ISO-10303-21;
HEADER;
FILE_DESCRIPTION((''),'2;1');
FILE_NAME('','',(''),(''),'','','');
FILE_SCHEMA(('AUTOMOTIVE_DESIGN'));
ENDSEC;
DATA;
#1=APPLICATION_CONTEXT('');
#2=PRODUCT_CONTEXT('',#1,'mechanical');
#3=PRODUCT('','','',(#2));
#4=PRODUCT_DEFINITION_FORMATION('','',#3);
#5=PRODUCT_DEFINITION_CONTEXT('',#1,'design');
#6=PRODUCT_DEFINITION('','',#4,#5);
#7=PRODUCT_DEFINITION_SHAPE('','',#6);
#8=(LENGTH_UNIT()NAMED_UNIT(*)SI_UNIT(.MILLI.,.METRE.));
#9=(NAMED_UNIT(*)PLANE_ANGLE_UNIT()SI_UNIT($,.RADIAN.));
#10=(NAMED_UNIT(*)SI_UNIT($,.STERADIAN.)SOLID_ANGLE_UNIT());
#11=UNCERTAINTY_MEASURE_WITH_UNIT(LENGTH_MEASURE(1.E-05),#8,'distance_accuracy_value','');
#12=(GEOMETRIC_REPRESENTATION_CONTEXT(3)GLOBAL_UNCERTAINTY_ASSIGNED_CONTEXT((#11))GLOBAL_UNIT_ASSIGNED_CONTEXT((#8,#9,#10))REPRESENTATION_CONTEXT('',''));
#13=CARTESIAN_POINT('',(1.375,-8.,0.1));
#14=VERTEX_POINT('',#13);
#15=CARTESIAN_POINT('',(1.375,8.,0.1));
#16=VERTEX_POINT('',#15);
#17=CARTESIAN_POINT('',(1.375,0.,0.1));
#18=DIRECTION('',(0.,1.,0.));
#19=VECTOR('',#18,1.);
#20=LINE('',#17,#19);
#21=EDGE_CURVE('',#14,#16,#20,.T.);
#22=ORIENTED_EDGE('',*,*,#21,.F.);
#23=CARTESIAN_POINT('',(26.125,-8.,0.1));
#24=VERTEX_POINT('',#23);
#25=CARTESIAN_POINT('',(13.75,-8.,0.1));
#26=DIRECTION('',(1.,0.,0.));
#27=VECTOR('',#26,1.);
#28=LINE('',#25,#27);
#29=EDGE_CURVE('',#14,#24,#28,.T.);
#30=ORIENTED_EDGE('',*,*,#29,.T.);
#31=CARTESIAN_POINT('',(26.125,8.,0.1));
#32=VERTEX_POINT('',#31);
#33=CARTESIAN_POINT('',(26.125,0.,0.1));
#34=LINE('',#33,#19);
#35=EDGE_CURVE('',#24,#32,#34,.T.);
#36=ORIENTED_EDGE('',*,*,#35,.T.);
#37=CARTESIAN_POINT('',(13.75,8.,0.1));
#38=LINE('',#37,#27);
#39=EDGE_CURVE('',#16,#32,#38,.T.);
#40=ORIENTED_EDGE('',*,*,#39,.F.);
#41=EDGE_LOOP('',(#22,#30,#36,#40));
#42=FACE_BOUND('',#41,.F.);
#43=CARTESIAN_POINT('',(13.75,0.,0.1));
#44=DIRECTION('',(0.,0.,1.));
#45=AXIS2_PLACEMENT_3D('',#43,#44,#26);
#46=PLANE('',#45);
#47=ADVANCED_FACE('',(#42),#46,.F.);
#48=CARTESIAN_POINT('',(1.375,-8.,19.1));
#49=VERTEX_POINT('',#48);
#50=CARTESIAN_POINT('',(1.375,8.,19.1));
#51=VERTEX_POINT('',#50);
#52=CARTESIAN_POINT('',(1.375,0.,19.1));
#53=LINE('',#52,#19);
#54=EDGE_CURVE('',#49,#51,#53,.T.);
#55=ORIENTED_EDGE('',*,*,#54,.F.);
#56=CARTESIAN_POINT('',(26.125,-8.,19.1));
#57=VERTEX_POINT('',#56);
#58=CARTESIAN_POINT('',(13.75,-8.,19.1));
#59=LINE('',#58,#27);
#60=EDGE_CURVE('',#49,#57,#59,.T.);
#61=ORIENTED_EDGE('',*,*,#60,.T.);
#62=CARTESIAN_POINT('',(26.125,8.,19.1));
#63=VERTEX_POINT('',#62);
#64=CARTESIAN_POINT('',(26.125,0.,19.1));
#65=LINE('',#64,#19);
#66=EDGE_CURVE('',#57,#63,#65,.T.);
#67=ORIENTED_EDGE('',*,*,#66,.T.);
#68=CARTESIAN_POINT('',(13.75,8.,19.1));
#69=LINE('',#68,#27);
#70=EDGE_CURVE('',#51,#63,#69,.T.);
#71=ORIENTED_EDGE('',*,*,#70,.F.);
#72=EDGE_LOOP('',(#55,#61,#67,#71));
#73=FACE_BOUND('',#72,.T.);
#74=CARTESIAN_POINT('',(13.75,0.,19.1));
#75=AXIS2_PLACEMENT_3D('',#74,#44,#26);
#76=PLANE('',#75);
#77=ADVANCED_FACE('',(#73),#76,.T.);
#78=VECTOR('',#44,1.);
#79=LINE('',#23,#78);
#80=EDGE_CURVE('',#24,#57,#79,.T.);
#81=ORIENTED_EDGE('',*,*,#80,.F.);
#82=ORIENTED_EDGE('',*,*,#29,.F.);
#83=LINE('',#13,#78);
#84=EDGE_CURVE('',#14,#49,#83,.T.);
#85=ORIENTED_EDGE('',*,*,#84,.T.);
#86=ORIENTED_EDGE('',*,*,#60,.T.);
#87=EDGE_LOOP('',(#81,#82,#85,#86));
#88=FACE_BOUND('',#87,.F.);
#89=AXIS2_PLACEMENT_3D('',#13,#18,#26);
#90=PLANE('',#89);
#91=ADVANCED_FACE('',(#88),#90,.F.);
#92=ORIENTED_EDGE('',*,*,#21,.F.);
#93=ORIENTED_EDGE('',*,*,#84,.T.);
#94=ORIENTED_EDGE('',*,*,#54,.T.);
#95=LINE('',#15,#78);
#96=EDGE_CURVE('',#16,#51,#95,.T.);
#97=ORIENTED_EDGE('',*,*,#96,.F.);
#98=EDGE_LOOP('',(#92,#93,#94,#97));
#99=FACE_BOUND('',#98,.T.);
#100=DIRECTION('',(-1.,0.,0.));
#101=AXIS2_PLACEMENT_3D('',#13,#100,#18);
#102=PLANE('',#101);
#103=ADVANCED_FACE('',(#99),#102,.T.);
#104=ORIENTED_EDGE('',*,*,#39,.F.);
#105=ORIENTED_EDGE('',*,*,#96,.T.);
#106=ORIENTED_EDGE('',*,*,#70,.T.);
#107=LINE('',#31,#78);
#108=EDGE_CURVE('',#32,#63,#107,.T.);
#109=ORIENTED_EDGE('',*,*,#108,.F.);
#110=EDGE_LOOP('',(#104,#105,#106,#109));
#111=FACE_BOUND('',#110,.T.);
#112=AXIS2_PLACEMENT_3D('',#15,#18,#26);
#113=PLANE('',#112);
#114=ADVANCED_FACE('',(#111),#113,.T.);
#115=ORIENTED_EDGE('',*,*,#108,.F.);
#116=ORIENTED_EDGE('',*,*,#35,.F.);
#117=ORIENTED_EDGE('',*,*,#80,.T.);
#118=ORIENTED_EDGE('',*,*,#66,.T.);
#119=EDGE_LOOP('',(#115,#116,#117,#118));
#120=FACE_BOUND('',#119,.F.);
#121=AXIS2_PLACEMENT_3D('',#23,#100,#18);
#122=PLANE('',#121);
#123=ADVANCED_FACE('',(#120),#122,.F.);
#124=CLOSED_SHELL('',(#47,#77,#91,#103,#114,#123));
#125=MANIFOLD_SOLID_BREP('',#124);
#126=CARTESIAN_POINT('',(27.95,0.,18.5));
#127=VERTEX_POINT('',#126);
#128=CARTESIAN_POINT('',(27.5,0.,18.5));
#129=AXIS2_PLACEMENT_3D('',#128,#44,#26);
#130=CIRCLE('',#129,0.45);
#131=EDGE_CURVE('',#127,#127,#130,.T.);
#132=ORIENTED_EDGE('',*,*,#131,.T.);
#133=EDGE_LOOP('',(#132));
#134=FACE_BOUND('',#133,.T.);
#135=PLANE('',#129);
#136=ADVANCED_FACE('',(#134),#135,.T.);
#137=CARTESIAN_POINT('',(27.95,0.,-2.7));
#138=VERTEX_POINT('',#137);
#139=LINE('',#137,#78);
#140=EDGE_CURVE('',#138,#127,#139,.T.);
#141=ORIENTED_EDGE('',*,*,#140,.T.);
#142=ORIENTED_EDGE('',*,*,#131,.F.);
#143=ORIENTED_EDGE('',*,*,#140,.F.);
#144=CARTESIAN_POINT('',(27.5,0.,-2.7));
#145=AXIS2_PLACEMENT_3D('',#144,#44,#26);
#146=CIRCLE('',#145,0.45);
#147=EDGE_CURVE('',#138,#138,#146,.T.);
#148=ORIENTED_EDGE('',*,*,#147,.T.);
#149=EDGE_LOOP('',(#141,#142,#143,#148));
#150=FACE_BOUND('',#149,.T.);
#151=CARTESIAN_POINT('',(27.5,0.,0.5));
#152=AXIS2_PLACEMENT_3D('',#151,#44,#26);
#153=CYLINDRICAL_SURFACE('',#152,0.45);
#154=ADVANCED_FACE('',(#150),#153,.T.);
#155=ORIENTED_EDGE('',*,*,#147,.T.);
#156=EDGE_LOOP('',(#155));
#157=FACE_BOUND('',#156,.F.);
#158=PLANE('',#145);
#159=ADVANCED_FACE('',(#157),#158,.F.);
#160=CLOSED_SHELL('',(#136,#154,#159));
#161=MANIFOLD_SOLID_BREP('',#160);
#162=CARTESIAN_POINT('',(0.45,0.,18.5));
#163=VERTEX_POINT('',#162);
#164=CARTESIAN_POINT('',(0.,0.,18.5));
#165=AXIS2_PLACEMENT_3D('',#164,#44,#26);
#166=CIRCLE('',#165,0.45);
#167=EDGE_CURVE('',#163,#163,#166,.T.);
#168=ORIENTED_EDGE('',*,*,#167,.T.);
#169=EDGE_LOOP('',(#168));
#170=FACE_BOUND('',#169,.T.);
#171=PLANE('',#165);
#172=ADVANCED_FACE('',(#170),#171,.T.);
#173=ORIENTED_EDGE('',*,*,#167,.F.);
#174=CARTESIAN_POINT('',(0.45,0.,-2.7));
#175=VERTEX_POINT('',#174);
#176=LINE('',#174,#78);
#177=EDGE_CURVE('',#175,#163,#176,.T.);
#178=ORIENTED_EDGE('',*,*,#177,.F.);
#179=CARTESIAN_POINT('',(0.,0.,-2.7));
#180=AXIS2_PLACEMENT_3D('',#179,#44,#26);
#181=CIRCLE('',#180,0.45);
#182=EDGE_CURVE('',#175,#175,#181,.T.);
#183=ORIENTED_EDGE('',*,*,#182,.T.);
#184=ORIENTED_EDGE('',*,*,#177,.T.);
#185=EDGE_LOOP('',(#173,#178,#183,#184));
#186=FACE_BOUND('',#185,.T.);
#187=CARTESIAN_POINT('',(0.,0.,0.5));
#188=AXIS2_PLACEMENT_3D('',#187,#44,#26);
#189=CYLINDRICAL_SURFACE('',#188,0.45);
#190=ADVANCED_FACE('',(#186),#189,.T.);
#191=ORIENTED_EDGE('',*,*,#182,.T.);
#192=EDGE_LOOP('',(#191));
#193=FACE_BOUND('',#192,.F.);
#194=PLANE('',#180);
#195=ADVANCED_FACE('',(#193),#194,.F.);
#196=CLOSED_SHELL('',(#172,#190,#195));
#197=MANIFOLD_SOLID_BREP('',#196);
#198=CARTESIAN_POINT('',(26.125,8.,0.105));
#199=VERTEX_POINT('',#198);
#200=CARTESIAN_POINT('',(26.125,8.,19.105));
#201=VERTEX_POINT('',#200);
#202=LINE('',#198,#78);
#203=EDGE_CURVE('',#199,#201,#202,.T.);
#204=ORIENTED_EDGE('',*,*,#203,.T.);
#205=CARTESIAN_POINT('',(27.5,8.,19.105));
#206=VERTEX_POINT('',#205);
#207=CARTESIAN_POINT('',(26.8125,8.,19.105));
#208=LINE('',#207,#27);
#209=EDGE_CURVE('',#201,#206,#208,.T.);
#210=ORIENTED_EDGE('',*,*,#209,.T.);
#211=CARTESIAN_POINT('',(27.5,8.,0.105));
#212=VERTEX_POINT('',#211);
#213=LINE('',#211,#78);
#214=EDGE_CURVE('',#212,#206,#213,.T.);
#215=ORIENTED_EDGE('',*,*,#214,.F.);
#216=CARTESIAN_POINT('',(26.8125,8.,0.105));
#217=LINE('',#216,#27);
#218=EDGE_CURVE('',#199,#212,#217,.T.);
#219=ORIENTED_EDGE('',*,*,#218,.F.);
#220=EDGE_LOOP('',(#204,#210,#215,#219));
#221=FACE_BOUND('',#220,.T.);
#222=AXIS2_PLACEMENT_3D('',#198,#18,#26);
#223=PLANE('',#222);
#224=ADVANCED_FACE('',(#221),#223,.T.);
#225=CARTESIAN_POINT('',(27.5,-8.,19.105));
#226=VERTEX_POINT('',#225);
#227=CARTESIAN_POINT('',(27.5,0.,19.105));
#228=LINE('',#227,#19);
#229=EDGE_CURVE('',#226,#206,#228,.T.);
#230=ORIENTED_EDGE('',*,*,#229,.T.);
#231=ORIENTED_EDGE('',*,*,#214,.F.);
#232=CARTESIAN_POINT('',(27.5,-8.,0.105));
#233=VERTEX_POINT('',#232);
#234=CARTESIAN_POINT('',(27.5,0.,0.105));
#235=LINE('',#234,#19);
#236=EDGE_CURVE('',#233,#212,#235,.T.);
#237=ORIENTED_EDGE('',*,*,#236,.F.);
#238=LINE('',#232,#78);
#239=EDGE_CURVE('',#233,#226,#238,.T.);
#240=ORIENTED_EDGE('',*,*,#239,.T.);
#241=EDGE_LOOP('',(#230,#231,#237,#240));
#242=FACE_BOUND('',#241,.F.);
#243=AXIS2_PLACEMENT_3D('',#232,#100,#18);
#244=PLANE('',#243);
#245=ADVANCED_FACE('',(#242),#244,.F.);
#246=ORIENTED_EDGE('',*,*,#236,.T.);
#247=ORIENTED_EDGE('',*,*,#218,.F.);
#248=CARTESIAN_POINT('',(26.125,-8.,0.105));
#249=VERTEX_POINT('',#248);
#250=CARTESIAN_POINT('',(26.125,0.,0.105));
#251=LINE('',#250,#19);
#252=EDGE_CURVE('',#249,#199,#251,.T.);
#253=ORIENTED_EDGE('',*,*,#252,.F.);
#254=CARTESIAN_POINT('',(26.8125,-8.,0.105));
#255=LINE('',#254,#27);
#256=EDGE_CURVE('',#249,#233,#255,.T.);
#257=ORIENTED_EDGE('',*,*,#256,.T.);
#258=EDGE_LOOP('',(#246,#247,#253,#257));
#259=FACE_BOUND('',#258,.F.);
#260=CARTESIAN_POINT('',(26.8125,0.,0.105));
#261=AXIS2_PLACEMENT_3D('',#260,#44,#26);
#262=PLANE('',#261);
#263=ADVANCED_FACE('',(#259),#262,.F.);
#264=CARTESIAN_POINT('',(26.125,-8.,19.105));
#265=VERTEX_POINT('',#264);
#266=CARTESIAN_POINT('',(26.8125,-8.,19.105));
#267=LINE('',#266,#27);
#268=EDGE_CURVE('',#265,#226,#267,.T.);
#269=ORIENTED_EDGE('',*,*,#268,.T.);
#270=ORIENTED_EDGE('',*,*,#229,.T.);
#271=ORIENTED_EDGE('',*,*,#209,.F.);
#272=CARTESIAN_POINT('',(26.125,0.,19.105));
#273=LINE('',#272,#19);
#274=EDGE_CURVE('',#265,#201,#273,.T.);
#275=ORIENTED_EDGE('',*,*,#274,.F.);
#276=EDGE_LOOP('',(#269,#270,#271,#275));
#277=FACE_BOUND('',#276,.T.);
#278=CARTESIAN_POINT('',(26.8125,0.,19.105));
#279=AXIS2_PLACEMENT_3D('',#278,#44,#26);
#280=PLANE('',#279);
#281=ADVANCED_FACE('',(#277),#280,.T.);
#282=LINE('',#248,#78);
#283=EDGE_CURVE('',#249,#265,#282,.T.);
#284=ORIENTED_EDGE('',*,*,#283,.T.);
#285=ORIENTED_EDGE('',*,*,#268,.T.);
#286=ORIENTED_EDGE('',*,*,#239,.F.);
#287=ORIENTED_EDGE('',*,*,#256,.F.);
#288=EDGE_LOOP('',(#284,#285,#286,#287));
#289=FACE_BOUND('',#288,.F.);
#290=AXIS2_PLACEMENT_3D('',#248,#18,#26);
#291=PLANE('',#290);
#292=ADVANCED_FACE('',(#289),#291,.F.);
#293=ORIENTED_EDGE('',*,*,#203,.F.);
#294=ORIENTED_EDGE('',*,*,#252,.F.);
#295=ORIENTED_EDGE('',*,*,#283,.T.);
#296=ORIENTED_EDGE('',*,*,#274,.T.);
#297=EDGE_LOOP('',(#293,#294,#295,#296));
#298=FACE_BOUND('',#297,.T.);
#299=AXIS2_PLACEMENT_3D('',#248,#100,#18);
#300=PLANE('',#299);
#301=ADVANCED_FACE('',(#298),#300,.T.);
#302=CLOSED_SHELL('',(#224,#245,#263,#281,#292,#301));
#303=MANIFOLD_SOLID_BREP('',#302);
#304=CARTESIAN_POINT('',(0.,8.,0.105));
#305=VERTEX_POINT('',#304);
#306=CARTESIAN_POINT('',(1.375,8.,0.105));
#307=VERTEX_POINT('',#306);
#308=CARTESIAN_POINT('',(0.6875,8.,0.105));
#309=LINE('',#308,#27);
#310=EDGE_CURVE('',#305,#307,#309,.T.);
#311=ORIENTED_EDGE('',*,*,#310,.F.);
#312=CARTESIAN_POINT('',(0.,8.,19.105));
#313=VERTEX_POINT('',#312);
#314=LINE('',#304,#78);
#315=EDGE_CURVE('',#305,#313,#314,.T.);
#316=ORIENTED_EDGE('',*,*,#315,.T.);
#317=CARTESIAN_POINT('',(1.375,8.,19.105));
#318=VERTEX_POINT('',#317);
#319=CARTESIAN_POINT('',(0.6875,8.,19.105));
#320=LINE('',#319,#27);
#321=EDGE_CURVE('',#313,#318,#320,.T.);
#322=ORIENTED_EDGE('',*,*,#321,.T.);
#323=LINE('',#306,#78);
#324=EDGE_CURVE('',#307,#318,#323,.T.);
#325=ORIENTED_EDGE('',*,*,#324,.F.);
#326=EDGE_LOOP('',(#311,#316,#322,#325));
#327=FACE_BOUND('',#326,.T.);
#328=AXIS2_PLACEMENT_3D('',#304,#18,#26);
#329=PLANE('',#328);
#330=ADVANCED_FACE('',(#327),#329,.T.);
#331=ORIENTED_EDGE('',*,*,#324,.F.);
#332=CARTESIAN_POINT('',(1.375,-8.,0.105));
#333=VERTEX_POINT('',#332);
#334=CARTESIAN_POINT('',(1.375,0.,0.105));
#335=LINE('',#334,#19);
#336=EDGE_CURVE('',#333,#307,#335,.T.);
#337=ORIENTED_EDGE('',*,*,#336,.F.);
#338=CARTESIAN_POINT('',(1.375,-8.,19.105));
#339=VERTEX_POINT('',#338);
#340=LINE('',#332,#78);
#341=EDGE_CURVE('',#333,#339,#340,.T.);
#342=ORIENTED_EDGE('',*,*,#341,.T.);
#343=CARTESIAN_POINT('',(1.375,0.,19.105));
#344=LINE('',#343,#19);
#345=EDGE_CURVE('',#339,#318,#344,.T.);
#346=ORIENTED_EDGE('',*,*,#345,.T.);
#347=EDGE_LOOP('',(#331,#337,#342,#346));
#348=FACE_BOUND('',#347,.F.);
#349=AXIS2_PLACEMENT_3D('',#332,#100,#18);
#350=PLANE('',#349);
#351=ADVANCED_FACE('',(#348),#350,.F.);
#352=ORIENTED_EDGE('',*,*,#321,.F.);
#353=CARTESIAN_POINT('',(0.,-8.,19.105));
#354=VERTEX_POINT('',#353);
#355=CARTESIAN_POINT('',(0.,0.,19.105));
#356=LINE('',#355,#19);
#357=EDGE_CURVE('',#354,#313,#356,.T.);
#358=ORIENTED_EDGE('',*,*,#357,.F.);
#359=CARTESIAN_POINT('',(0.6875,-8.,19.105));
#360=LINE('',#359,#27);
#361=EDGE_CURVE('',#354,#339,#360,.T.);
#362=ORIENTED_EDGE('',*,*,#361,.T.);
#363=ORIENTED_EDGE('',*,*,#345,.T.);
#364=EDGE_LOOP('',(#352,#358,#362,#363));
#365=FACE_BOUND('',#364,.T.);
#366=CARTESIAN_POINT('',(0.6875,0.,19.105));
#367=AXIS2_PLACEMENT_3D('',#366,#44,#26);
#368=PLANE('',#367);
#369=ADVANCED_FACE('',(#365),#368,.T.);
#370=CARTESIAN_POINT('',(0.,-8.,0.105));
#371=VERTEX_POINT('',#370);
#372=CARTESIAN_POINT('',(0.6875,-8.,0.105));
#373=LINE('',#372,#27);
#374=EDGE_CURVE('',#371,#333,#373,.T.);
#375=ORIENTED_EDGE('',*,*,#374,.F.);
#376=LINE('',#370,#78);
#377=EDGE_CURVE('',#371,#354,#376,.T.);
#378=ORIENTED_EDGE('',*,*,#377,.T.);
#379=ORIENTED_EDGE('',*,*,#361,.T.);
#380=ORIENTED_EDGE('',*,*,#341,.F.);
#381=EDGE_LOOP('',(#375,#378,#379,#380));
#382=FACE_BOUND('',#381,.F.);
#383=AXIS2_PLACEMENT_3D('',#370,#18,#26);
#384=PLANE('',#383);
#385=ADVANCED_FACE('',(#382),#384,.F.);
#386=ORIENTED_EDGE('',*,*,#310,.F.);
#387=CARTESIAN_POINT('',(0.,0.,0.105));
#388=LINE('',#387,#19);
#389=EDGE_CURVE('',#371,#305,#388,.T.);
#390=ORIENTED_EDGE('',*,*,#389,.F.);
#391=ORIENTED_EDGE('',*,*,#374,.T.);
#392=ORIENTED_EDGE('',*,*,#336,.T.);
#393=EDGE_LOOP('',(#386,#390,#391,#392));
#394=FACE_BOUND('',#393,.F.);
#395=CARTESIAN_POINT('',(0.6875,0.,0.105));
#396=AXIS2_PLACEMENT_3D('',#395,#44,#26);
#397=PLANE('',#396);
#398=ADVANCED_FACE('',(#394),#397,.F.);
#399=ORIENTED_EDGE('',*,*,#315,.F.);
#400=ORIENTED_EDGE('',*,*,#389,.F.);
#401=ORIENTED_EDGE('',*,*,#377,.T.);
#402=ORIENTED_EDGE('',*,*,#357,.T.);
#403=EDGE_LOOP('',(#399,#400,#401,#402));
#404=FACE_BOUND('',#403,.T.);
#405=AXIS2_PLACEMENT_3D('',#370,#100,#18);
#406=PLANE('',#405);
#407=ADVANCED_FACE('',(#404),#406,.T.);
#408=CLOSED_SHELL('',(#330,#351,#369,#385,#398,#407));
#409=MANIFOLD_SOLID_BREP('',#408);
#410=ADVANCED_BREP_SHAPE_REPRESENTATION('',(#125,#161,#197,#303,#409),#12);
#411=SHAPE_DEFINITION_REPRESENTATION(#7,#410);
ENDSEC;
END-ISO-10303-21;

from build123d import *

# Parameters (mm, degrees)
SKETCH_W          = 24.75
SKETCH_H          = 16
PAD_DEPTH         = 19
SKETCH001_R       = 0.45
PAD001_DEPTH      = 18
PAD001_DEPTH_BACK = 3.2
SKETCH002_W       = 1.375
SKETCH002_H       = 16
PAD002_DEPTH      = 19


with BuildPart() as pad:
    # Sketch → Pad (new body)
    with BuildSketch(Plane.XY.offset(0.1)):
        with Locations((13.75, 0)):
            Rectangle(SKETCH_W, SKETCH_H)
    extrude(amount=PAD_DEPTH)


with BuildPart() as pad001:
    # Sketch001 → Pad001 (new body, two sides)
    with BuildSketch(Plane.XY.offset(0.5)) as pad001_sk:
        Circle(SKETCH001_R)
        with Locations((27.5, 0)):
            Circle(SKETCH001_R)
    extrude(amount=PAD001_DEPTH)
    extrude(pad001_sk.sketch, amount=-PAD001_DEPTH_BACK)


with BuildPart() as pad002:
    # Sketch002 → Pad002 (new body)
    with BuildSketch(Plane.XY.offset(0.105)):
        with Locations((0.6875, 0)):
            Rectangle(SKETCH002_W, SKETCH002_H)
        with Locations((26.8125, 0)):
            Rectangle(SKETCH002_W, SKETCH002_H)
    extrude(amount=PAD002_DEPTH)


solid = Compound([pad.part, pad001.part, pad002.part])
